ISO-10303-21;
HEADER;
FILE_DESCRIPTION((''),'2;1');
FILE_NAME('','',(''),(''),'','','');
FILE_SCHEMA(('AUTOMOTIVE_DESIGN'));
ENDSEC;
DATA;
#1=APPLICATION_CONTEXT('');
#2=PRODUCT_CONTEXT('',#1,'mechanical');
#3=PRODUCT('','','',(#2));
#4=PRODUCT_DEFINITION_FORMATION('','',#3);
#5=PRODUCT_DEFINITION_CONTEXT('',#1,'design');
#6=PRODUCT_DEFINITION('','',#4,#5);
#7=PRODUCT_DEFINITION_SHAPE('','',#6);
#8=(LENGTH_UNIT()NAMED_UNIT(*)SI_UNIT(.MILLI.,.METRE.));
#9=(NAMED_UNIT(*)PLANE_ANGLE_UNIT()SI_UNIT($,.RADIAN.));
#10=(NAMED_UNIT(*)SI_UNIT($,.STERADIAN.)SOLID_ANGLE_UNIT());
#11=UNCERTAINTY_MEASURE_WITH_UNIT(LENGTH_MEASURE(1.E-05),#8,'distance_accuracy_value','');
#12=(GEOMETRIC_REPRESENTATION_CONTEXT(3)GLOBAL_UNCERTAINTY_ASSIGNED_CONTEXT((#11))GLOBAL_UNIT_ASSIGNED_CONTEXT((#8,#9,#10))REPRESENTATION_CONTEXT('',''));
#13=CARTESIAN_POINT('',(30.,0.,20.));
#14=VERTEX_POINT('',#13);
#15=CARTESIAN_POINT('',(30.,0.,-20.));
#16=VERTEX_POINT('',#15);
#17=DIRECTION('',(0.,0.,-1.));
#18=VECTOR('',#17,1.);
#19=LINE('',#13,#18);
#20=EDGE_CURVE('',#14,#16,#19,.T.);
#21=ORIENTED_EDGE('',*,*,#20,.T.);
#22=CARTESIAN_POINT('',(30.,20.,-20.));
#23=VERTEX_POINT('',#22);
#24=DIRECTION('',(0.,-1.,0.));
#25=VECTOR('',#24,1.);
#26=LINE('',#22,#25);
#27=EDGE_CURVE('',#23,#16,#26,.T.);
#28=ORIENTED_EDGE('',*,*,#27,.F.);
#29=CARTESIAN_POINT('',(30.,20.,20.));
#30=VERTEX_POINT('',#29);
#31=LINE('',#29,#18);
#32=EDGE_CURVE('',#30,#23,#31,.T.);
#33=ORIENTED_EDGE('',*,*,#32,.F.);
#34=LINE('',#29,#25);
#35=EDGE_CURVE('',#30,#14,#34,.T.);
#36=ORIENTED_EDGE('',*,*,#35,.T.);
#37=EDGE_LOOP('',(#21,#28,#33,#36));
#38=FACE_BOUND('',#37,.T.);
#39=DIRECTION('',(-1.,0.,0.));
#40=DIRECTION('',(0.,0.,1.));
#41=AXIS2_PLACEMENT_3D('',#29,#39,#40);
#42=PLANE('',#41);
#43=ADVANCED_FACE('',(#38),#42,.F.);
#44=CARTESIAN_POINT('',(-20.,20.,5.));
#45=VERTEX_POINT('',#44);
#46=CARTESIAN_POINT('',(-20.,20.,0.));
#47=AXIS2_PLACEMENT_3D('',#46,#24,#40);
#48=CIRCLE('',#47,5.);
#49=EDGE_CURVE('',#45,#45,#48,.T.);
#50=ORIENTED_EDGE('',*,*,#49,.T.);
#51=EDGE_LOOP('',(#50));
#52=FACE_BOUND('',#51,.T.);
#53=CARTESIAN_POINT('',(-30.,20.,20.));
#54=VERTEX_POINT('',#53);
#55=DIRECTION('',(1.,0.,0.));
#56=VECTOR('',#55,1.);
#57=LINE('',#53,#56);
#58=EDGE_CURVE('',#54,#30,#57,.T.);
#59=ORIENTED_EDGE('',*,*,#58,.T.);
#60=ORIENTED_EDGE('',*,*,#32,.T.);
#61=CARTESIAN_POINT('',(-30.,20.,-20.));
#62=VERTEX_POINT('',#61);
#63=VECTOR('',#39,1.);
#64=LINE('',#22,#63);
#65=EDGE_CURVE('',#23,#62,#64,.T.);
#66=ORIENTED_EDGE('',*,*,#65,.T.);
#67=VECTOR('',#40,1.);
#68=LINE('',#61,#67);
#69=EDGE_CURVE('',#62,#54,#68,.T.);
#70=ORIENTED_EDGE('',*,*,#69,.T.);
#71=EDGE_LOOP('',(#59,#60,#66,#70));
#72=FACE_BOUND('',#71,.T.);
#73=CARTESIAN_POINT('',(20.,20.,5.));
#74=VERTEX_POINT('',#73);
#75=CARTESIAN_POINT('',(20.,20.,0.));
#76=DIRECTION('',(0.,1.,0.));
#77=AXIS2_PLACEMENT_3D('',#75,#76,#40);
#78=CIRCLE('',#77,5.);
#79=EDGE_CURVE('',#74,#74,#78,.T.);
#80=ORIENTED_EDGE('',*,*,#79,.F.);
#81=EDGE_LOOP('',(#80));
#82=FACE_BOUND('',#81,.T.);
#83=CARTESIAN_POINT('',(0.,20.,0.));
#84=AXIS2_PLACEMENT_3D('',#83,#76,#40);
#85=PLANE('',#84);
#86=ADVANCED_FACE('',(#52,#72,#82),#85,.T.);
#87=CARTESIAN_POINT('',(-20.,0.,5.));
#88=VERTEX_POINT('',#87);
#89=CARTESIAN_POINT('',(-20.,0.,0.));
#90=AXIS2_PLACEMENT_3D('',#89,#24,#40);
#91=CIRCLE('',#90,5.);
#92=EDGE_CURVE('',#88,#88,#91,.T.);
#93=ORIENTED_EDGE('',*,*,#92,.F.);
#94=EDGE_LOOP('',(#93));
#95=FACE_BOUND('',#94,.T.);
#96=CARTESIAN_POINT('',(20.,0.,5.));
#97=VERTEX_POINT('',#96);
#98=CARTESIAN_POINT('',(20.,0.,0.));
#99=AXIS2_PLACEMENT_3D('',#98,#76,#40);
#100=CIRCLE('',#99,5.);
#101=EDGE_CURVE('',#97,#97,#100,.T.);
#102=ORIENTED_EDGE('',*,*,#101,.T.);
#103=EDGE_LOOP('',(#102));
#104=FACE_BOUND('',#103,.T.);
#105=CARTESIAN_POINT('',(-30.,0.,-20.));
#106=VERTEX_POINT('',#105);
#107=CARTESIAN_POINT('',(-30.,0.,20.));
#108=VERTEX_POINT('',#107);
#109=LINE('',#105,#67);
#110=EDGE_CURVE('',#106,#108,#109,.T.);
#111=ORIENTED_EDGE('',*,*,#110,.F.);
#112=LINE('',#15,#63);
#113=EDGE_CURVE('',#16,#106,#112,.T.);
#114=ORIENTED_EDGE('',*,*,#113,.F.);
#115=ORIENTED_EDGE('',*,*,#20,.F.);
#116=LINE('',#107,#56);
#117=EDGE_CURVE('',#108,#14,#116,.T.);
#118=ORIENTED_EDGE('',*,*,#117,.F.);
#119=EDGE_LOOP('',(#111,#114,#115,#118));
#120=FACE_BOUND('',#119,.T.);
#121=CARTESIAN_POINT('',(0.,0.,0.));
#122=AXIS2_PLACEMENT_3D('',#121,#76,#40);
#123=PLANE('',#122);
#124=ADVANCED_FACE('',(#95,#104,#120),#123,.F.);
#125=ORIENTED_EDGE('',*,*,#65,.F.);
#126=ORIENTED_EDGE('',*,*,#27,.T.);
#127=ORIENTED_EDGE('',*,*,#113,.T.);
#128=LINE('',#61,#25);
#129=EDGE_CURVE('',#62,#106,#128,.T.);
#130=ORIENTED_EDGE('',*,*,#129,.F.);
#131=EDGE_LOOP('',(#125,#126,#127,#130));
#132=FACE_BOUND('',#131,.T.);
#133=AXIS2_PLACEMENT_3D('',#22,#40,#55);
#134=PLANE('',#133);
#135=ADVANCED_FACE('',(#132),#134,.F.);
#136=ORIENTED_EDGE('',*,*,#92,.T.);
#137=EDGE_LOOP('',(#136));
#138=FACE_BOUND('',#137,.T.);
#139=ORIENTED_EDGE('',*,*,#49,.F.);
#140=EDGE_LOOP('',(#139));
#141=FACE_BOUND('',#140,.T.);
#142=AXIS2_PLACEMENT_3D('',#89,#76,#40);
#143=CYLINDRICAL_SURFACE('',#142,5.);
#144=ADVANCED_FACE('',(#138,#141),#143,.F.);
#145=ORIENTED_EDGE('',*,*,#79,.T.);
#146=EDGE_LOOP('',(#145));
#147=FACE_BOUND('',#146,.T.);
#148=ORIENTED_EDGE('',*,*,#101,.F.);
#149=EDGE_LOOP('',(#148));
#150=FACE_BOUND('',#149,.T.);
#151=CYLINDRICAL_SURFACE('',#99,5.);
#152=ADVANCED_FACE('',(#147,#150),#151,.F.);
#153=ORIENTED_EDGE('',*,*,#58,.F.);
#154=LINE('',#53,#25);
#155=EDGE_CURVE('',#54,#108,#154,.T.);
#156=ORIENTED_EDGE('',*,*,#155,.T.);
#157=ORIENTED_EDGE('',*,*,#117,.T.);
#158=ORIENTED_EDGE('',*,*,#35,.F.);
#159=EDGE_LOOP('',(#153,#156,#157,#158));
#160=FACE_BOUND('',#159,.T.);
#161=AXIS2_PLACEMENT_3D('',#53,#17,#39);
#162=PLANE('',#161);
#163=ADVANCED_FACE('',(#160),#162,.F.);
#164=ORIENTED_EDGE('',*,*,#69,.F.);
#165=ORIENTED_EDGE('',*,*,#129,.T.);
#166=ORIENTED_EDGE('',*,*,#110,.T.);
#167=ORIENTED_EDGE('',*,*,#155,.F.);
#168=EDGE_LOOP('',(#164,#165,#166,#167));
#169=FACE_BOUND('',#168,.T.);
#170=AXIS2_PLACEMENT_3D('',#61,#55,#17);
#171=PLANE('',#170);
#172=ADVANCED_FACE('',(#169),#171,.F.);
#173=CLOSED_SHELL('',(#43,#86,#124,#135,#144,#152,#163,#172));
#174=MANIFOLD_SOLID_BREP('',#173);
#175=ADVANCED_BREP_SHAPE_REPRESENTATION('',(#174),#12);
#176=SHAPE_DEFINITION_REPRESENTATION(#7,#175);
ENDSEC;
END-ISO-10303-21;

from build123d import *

# Parameters (mm, degrees)
SKETCH1_W           = 60
SKETCH1_H           = 40
BOSS_EXTRUDE1_DEPTH = 20
SKETCH2_R           = 5
CUT_EXTRUDE1_DEPTH  = 42.231056256


with BuildPart() as part:
    # Sketch1 → Boss-Extrude1 (new body)
    with BuildSketch(Plane(origin=(0, 0, 0), x_dir=(1, 0, 0), z_dir=(0, 1, 0))):
        Rectangle(SKETCH1_W, SKETCH1_H)
    extrude(amount=BOSS_EXTRUDE1_DEPTH)

    # Sketch2 → Cut-Extrude1 (cut, through all)
    with BuildSketch(Plane(origin=(0, 20, 0), x_dir=(1, 0, 0), z_dir=(0, 1, 0))):
        with Locations(Location((20, 0, 0), (0, 0, 270))):
            Circle(SKETCH2_R)
    cut_extrude1 = extrude(amount=-CUT_EXTRUDE1_DEPTH, mode=Mode.SUBTRACT)

    # Mirror1: Cut-Extrude1 across plane
    add(cut_extrude1.mirror(Plane(origin=(0, 0, 0), x_dir=(0, 0, 1), z_dir=(1, 0, 0))), mode=Mode.SUBTRACT)


solid = part.part
